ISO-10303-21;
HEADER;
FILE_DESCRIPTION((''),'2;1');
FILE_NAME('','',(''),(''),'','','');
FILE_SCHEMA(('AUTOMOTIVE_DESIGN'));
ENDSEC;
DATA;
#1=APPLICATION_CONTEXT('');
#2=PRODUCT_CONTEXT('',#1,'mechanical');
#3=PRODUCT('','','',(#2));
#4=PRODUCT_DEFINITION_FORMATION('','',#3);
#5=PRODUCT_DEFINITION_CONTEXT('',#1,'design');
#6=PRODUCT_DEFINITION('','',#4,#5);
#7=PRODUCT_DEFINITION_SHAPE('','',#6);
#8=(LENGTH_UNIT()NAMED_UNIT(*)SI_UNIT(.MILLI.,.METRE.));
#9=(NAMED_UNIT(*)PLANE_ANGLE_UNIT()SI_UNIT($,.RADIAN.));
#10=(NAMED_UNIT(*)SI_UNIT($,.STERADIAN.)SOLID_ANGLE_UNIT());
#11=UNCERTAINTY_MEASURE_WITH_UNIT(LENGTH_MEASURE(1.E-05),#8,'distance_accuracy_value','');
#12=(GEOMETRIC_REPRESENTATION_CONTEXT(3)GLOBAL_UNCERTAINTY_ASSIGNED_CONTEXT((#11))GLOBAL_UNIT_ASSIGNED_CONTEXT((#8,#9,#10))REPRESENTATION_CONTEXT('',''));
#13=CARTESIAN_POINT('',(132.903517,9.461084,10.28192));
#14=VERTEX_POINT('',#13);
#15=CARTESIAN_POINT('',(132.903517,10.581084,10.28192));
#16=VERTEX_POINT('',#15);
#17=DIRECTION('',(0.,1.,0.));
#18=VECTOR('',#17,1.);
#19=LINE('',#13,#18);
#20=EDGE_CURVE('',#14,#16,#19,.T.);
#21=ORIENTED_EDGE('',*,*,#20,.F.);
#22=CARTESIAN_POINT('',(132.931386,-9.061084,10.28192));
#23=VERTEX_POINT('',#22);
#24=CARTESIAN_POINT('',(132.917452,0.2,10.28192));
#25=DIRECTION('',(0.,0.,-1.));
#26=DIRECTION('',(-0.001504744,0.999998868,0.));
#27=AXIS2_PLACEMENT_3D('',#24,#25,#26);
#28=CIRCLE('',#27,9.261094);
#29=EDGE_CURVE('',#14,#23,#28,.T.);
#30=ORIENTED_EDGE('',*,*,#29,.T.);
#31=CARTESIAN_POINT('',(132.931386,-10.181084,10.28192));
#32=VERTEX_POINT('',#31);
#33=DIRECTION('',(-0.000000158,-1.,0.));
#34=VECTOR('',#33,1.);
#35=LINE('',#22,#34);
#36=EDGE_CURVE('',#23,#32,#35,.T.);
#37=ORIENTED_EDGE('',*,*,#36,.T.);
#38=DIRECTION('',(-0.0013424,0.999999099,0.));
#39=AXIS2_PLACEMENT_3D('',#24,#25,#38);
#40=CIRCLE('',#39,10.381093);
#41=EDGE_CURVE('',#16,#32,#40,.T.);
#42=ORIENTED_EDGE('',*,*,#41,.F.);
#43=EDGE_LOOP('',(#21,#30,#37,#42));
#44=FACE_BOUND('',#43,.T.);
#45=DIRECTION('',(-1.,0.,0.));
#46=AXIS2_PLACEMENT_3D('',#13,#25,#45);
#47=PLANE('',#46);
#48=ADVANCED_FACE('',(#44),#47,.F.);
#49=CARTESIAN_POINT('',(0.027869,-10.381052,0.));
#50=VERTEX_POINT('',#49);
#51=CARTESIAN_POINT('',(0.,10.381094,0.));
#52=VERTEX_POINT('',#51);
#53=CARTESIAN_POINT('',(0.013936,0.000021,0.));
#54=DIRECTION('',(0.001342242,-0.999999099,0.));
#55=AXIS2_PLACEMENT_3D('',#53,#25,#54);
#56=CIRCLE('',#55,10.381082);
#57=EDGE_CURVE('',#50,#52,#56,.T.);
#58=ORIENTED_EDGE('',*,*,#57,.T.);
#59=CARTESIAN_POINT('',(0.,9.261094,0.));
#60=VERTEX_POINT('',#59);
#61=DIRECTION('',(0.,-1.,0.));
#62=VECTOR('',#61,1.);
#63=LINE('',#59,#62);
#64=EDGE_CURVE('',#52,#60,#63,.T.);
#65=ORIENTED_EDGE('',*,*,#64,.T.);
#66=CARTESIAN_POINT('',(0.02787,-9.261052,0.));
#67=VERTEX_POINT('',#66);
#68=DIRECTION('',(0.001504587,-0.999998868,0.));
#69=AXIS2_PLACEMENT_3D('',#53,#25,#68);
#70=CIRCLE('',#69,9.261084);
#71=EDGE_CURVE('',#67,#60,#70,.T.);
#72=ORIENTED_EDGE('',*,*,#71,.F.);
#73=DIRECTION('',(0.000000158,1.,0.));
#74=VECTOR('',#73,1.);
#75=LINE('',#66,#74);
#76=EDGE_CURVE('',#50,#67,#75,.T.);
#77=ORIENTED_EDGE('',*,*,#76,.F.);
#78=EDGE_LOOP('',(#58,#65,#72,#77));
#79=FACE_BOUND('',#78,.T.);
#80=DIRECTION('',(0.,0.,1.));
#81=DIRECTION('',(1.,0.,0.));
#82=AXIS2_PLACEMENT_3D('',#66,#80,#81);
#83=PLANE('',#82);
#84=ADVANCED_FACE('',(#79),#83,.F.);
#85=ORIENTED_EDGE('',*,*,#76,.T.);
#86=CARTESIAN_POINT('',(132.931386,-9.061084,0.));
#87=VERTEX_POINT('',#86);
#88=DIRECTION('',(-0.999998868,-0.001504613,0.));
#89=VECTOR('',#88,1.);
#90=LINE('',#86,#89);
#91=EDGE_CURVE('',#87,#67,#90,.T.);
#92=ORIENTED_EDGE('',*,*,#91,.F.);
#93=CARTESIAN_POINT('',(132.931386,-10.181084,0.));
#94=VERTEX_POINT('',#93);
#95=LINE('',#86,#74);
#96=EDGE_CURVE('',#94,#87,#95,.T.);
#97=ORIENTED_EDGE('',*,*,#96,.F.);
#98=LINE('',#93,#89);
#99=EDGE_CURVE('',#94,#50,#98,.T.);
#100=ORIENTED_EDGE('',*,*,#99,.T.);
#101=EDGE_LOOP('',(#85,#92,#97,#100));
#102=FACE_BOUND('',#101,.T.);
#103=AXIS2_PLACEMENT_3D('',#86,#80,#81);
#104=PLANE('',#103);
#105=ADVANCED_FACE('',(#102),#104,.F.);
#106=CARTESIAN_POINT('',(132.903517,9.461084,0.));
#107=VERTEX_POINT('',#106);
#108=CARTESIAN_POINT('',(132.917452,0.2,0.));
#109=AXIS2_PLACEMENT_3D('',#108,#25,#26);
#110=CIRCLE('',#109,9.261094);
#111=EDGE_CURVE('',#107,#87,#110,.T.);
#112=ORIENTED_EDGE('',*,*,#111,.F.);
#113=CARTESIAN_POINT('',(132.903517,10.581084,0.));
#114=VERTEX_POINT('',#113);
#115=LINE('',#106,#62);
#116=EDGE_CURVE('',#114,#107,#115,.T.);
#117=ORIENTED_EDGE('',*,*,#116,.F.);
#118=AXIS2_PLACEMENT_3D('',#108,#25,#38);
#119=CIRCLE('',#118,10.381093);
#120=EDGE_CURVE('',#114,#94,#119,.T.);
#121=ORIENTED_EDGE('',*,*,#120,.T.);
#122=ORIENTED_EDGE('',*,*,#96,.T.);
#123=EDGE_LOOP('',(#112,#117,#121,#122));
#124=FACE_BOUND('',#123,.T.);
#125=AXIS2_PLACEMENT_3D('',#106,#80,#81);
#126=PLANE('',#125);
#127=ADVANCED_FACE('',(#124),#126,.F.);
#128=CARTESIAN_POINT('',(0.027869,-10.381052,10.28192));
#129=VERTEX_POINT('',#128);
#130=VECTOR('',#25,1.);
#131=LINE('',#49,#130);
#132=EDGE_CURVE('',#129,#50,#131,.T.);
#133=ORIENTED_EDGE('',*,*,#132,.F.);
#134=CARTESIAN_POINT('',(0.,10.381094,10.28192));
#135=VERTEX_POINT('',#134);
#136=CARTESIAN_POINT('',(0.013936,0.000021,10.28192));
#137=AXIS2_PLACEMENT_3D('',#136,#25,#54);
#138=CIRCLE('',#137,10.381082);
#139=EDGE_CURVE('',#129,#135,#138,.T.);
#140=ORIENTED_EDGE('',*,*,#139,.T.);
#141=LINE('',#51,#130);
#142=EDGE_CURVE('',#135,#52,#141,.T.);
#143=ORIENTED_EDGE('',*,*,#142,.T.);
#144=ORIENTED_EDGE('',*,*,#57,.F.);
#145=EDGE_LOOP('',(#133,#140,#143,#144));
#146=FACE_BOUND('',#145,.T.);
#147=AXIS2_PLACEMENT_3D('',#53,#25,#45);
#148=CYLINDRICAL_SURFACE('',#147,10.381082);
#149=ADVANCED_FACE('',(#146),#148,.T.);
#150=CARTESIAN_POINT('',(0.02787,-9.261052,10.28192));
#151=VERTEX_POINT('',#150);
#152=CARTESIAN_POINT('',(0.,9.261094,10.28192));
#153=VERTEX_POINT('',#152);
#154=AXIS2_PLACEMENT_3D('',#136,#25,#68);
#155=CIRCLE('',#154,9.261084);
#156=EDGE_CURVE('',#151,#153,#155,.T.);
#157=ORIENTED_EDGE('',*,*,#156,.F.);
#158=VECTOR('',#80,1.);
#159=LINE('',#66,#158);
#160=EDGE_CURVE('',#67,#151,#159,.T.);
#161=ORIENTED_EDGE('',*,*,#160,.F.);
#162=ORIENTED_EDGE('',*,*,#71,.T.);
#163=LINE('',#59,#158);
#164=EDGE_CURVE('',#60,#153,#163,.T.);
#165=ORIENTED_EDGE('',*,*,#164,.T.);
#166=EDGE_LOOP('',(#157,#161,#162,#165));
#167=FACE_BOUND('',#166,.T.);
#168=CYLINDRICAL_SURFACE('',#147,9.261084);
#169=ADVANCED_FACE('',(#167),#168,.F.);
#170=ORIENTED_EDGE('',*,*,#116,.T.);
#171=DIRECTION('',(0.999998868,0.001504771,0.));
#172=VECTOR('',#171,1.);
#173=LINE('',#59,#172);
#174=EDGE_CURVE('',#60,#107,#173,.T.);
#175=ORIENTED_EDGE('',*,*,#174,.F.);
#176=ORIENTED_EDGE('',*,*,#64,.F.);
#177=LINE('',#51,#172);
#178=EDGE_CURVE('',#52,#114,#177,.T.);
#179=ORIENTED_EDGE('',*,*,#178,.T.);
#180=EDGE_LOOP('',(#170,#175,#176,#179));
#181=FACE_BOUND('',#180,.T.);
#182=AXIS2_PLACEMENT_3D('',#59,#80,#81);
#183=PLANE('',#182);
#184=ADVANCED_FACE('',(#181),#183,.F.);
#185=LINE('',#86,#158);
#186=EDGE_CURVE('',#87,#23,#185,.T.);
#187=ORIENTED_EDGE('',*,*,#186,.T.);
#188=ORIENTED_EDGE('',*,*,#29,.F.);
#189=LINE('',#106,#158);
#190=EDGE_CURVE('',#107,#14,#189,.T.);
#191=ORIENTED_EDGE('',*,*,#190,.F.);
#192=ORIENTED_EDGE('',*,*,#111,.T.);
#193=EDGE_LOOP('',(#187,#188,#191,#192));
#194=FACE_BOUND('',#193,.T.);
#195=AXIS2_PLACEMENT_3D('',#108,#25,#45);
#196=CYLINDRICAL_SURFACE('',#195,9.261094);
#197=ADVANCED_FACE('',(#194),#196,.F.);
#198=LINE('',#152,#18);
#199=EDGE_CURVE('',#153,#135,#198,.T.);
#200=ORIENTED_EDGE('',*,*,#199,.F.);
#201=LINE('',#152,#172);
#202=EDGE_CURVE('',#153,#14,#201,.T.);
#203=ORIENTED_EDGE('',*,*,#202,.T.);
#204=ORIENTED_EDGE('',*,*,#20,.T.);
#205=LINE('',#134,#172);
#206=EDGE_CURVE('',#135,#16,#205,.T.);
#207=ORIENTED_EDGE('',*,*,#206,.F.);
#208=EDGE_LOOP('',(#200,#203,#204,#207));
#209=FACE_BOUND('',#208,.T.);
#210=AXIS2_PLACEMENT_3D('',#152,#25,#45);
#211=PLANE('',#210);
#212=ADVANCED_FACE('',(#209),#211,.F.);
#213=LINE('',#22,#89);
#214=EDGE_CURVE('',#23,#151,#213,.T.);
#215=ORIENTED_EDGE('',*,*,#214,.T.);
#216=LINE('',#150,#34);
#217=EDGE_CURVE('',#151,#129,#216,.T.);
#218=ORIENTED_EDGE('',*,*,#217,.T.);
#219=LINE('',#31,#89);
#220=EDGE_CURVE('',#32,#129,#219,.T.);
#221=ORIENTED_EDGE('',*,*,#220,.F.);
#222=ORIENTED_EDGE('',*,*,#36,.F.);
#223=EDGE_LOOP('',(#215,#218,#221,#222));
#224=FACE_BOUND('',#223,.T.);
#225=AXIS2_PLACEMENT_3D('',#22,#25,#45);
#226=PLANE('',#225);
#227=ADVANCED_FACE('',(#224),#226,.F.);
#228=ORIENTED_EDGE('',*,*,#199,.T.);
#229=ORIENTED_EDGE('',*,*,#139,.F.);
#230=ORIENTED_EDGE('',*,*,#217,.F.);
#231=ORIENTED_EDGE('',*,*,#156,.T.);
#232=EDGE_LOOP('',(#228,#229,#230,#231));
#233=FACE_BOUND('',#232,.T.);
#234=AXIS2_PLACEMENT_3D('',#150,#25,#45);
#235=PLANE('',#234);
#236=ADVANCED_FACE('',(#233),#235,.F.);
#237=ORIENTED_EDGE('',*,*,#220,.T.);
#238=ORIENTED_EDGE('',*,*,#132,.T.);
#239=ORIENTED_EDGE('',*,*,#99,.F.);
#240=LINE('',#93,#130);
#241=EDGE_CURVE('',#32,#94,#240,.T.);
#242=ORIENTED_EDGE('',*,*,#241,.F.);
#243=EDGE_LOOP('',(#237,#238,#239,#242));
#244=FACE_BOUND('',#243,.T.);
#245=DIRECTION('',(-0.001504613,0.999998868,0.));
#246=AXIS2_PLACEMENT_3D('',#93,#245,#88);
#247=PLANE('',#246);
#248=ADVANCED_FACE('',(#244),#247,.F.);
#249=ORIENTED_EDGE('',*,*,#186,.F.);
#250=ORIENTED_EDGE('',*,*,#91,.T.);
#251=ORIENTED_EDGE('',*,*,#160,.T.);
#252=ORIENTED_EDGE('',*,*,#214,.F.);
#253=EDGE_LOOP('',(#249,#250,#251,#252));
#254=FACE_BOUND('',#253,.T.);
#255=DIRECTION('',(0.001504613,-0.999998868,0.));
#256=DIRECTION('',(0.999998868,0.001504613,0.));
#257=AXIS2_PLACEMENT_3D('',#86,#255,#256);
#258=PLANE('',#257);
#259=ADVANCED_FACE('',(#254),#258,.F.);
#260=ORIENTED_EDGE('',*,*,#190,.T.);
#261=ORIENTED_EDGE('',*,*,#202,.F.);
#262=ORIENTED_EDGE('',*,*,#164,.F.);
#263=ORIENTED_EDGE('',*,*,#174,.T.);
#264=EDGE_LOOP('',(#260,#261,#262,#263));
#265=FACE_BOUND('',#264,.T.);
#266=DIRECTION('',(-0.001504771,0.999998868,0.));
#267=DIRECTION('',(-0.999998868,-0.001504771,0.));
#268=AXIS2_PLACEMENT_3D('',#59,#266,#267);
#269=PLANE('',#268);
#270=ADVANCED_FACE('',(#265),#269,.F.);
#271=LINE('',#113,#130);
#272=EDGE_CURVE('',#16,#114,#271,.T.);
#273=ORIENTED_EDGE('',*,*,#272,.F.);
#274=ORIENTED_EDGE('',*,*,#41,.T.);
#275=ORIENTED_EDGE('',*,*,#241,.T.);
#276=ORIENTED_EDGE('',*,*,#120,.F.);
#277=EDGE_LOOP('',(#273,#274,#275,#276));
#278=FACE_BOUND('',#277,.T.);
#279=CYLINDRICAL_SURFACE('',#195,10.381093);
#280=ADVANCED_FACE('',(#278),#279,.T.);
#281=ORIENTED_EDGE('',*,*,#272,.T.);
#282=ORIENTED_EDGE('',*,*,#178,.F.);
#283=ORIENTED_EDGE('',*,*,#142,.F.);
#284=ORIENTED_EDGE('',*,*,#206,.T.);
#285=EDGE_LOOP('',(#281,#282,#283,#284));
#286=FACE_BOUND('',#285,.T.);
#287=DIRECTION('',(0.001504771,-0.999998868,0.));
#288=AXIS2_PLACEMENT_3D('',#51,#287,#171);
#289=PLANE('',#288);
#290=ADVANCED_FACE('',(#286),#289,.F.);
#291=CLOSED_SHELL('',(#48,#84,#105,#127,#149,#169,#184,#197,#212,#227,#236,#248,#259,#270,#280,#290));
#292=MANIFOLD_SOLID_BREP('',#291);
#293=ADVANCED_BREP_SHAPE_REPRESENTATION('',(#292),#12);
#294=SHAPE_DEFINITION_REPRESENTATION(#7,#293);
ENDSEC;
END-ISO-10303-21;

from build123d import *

# Parameters (mm, degrees)
SKETCH4_W = 10.28192
SKETCH4_H = 1.12


with BuildPart() as part:
    # Sweep1: sweep along a path in Sketch1
    with BuildLine(Plane.XY) as sweep1_path:
        Line((-2.41e-07, 9.261094), (132.90351643, 9.461083519))
        ThreePointArc((132.90351643, 9.461083519), (142.178535768, 0.213935094), (132.931386612, -9.061083513))
        Line((132.931386612, -9.061083513), (0.027869908, -9.261052065))
        ThreePointArc((0.027869908, -9.261052065), (-9.247137468, -0.013914106), (-2.41e-07, 9.261094))
    # Sketch4 → Sweep1 (sweep)
    with BuildSketch(Plane.ZY):
        with Locations((5.14096, 9.821094)):
            Rectangle(SKETCH4_W, SKETCH4_H)
    sweep(path=sweep1_path.line)


solid = part.part
